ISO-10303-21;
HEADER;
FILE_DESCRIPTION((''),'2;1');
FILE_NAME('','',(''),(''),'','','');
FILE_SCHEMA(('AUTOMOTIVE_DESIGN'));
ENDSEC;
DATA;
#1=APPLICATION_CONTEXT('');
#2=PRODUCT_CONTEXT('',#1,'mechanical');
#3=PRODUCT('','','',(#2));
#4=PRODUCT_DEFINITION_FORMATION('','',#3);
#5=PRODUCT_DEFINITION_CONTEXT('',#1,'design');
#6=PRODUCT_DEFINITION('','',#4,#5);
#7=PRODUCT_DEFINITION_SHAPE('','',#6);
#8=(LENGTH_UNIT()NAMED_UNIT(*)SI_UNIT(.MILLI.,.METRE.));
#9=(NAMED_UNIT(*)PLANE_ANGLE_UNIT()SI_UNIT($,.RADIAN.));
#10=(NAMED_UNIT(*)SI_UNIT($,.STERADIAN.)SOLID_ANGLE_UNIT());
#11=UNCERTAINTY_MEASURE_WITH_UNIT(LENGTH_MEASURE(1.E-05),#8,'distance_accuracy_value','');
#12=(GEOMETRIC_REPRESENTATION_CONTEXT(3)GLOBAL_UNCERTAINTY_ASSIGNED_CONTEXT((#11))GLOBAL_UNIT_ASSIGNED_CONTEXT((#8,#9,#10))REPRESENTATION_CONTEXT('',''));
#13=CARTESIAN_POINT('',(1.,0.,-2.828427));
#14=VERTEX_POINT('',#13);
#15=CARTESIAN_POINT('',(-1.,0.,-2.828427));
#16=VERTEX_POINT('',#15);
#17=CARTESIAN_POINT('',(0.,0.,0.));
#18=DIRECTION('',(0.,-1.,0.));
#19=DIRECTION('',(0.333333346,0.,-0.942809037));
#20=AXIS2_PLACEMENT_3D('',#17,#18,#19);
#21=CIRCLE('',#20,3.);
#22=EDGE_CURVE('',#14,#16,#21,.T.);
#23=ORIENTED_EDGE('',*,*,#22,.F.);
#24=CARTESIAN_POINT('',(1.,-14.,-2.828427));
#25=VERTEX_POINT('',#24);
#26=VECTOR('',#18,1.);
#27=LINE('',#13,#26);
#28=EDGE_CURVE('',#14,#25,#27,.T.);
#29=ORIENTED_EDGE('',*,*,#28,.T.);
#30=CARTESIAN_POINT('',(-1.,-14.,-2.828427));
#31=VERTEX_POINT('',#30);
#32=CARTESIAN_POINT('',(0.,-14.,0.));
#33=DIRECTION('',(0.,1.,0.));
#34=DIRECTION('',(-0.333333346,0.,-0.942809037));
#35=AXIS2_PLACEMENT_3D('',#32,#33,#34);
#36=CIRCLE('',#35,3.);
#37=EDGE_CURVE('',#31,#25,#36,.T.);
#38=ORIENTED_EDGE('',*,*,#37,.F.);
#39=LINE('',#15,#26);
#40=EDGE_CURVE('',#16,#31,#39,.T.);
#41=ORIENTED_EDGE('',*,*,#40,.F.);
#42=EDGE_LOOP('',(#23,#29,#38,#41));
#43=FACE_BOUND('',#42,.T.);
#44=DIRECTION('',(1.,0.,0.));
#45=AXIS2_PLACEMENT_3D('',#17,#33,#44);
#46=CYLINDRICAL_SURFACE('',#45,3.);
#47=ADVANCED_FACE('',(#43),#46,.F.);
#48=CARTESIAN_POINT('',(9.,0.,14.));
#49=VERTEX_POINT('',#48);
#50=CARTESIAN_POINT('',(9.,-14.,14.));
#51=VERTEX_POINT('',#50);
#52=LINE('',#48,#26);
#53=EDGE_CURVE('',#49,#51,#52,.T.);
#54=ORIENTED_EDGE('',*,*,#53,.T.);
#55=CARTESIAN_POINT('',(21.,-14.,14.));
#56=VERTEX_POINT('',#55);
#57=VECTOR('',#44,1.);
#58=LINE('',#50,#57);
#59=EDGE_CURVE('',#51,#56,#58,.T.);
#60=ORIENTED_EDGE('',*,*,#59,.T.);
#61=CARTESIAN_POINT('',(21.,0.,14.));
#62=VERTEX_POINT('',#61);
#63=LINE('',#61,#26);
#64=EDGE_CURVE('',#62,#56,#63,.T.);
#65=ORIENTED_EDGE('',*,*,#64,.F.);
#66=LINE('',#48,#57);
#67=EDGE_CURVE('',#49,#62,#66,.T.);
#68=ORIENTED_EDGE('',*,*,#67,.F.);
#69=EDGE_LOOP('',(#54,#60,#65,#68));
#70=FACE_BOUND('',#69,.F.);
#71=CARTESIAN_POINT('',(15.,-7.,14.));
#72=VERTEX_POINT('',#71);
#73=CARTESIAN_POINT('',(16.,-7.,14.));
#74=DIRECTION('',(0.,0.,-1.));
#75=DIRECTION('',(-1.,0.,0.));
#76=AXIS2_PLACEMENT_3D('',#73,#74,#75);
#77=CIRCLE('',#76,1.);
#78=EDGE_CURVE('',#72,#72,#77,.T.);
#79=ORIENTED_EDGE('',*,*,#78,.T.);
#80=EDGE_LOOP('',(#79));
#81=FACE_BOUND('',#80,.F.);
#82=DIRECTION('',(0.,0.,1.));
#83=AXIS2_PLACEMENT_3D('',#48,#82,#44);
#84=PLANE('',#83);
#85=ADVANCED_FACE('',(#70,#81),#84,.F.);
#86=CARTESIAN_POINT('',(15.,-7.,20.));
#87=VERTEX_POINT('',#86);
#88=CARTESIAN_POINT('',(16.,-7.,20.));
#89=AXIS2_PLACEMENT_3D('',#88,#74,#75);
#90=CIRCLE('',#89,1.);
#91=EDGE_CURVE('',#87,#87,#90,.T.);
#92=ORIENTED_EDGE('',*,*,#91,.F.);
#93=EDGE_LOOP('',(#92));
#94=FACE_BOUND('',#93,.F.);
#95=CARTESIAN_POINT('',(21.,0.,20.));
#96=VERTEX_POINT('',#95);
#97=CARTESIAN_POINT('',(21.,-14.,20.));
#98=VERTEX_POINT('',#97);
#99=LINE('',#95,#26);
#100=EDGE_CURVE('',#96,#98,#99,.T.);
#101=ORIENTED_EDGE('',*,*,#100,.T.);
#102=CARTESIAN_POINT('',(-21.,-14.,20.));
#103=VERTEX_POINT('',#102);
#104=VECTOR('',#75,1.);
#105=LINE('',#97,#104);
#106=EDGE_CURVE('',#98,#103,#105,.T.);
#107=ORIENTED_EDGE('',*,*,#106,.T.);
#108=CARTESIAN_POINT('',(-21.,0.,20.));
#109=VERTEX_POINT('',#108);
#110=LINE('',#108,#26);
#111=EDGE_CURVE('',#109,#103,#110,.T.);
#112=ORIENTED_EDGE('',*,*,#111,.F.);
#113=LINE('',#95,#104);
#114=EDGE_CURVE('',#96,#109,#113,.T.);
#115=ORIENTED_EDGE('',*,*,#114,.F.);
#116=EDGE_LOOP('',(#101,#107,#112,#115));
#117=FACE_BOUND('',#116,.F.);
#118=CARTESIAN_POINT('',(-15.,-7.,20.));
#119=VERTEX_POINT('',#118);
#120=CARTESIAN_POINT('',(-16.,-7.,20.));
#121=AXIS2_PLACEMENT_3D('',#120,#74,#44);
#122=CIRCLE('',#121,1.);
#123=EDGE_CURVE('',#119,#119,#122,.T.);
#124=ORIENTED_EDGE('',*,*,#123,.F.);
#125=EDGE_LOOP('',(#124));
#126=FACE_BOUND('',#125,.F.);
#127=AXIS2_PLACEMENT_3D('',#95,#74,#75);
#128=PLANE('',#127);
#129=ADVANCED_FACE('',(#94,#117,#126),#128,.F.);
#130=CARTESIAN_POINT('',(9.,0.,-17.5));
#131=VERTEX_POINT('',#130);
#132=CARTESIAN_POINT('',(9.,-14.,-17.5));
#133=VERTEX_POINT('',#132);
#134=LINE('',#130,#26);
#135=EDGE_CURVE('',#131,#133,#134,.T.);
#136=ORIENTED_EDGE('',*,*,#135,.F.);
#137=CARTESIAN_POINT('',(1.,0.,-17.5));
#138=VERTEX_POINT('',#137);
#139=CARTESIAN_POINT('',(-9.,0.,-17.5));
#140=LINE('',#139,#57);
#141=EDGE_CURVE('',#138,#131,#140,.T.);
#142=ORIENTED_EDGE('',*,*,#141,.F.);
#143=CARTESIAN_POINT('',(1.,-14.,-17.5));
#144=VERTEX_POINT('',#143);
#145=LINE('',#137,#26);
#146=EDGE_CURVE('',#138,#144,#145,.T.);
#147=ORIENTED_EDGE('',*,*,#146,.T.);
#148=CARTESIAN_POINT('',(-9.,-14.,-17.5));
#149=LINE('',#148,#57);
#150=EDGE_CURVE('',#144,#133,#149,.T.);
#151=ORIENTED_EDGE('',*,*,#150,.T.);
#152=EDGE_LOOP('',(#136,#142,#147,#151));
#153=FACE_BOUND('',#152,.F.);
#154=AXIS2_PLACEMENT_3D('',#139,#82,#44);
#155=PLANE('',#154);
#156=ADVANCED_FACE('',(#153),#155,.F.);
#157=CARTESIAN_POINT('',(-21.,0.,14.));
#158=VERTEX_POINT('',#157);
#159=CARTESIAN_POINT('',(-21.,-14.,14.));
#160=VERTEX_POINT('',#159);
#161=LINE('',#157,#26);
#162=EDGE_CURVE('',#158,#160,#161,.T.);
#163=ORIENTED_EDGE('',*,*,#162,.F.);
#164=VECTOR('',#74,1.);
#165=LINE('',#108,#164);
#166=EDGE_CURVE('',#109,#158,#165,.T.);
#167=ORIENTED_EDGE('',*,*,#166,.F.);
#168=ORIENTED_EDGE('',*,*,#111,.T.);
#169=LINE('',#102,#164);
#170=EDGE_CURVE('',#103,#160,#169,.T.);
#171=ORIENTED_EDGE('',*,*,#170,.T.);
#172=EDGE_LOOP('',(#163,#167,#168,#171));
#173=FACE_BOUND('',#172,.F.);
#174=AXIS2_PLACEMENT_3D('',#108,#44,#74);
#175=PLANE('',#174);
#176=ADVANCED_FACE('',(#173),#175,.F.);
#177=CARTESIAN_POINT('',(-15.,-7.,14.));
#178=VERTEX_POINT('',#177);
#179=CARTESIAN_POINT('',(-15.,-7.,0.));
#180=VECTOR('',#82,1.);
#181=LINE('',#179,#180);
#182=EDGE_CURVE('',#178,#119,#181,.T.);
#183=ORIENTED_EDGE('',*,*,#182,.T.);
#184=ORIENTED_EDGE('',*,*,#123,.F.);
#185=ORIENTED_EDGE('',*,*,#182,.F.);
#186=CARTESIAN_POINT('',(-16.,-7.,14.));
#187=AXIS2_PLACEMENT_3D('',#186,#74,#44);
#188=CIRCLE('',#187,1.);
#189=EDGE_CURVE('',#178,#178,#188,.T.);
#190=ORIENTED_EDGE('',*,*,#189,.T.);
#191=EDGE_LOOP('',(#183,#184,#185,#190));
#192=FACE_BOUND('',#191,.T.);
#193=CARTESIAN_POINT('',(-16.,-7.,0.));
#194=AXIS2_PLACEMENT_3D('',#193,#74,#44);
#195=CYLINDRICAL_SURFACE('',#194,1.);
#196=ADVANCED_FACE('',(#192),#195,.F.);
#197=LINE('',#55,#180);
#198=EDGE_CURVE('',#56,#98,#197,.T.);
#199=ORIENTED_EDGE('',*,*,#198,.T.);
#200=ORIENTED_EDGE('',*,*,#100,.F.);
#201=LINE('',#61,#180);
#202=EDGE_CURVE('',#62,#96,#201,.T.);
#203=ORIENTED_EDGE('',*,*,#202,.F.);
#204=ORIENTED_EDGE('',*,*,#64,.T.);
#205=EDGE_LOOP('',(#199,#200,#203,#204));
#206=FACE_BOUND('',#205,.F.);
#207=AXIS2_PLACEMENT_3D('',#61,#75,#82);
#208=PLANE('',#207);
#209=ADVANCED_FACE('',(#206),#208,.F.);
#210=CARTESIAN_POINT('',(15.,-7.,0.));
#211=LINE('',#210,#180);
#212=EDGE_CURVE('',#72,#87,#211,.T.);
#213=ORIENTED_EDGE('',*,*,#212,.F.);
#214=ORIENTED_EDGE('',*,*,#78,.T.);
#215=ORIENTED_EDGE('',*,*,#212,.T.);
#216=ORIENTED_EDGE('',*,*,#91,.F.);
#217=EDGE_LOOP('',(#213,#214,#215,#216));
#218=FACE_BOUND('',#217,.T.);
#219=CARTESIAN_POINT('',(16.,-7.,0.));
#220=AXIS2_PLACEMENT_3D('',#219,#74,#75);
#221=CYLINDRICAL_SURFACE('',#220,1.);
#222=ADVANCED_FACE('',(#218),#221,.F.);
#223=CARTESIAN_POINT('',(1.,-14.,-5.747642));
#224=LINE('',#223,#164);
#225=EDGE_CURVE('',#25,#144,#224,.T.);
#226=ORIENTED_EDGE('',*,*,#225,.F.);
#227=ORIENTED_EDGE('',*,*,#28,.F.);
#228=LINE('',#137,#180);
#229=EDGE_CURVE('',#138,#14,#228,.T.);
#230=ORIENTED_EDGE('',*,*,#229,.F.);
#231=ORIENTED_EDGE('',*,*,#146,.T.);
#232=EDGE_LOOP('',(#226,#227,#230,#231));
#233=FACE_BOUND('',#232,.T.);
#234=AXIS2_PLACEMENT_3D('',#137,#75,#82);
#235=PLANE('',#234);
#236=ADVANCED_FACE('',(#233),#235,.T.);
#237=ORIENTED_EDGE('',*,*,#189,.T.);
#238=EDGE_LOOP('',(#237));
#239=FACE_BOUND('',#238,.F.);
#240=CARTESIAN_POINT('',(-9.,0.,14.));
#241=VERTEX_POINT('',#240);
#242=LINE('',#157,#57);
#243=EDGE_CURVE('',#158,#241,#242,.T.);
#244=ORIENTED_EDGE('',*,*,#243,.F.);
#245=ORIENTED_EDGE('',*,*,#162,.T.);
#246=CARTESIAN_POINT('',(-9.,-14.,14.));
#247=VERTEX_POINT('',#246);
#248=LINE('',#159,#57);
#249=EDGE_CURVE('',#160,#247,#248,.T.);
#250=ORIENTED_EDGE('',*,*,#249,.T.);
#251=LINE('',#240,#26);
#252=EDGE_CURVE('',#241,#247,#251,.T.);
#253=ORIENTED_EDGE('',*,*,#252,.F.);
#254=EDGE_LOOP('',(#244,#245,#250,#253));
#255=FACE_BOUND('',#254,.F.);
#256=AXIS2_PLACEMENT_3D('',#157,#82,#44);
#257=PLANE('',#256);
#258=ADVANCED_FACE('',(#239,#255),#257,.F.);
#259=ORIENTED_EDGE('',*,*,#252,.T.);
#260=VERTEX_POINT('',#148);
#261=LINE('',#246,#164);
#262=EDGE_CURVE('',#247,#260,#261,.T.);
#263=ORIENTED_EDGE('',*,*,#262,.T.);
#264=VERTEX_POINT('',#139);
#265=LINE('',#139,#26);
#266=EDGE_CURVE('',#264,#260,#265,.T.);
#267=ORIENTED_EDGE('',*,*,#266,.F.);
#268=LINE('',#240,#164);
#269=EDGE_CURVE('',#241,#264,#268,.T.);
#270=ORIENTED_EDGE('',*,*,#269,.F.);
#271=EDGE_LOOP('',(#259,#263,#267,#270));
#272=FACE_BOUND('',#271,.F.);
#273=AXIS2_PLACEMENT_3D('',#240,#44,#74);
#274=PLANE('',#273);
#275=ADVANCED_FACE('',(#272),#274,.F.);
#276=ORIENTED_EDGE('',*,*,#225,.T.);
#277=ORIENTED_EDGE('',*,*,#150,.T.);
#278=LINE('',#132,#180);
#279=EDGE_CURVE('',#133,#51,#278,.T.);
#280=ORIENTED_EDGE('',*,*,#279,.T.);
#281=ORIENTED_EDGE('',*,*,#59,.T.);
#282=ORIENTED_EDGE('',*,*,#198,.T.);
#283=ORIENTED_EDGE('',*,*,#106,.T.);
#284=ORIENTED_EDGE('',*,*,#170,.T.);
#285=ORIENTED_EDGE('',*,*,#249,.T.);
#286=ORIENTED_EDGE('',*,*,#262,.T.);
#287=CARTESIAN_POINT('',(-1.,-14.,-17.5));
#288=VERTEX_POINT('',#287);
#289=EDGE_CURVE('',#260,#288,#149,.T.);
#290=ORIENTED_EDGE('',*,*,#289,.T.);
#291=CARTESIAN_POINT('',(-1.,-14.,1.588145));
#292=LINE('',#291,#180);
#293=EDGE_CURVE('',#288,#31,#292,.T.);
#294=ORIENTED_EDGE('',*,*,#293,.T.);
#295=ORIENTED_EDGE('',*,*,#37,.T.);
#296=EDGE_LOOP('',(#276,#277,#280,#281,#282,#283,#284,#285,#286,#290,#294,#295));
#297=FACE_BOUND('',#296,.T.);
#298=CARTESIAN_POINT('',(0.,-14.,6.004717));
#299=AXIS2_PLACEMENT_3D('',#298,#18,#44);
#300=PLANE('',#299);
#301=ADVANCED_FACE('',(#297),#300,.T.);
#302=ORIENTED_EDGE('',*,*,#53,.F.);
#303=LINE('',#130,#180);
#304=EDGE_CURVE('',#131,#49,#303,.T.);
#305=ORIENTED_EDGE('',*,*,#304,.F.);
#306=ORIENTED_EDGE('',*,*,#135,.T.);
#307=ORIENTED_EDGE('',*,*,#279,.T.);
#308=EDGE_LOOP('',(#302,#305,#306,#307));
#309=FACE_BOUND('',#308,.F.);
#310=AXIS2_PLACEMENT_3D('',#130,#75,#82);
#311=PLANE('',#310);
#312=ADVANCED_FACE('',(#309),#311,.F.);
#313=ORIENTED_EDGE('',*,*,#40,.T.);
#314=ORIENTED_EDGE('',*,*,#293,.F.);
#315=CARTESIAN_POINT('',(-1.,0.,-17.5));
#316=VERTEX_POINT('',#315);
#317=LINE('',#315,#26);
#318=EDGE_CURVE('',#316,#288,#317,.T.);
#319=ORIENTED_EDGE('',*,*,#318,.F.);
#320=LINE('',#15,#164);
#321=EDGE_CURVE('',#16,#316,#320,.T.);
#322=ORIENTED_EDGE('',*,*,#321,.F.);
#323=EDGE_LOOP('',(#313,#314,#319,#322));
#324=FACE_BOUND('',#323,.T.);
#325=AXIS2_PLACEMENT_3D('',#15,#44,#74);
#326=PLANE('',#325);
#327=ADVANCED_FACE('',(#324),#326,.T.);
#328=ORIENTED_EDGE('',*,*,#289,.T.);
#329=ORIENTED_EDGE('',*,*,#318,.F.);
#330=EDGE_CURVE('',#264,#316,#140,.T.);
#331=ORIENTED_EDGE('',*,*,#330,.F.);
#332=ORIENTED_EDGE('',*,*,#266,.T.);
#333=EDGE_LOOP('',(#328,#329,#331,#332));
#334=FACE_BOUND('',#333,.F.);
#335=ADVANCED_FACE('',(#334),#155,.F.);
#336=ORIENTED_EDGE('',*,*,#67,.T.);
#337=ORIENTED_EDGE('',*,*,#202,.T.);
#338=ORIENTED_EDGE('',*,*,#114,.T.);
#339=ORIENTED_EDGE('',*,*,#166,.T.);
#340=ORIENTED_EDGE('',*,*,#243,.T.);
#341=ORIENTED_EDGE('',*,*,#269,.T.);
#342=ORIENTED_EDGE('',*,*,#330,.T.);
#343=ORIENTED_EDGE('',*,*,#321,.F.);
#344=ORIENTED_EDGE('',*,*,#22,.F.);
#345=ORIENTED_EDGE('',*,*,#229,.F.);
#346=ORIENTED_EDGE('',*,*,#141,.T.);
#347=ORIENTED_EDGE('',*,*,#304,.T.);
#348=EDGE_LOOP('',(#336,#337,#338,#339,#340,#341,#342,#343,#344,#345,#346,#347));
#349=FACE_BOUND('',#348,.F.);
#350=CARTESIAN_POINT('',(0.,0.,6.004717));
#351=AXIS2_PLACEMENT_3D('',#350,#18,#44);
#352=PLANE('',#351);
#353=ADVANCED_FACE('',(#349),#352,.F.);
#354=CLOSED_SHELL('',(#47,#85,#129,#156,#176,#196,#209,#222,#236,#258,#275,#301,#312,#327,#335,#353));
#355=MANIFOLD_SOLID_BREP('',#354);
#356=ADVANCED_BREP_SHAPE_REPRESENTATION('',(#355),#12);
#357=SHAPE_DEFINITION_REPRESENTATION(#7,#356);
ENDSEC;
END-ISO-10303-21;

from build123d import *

# Parameters (mm, degrees)
F0_R     = 3
F1_DEPTH = 14
F3_DEPTH = 25
F4_R     = 1
F5_DEPTH = 20.001


with BuildPart() as f1:
    # F0 (on Front) → F1 (new body)
    with BuildSketch(Plane.XZ):
        Polygon((21, 20), (-21, 20), (-21, 14), (-9, 14), (-9, -17.5), (9, -17.5), (9, 14), (21, 14), align=None)
        Circle(F0_R, mode=Mode.SUBTRACT)
    extrude(amount=F1_DEPTH)

    # F2 (on Front) → F3 (cut)
    with BuildSketch(Plane.XZ):
        with BuildLine():
            Line((-1, -17.5), (1, -17.5))
            Line((1, -17.5), (1, -2.828427))
            ThreePointArc((1, -2.828427), (0, -3), (-1, -2.828427))
            Line((-1, -2.828427), (-1, -17.5))
        make_face()
    extrude(amount=F3_DEPTH, mode=Mode.SUBTRACT)

    # F4 (on Top) → F5 (cut, through all)
    with BuildSketch(Plane.XY):
        with Locations((-16, -7)):
            Circle(F4_R)
        with BuildLine():
            ThreePointArc((17, -7), (16, -6), (15, -7))
            ThreePointArc((15, -7), (16, -8), (17, -7))
        make_face()
    extrude(amount=F5_DEPTH, mode=Mode.SUBTRACT)


solid = f1.part
